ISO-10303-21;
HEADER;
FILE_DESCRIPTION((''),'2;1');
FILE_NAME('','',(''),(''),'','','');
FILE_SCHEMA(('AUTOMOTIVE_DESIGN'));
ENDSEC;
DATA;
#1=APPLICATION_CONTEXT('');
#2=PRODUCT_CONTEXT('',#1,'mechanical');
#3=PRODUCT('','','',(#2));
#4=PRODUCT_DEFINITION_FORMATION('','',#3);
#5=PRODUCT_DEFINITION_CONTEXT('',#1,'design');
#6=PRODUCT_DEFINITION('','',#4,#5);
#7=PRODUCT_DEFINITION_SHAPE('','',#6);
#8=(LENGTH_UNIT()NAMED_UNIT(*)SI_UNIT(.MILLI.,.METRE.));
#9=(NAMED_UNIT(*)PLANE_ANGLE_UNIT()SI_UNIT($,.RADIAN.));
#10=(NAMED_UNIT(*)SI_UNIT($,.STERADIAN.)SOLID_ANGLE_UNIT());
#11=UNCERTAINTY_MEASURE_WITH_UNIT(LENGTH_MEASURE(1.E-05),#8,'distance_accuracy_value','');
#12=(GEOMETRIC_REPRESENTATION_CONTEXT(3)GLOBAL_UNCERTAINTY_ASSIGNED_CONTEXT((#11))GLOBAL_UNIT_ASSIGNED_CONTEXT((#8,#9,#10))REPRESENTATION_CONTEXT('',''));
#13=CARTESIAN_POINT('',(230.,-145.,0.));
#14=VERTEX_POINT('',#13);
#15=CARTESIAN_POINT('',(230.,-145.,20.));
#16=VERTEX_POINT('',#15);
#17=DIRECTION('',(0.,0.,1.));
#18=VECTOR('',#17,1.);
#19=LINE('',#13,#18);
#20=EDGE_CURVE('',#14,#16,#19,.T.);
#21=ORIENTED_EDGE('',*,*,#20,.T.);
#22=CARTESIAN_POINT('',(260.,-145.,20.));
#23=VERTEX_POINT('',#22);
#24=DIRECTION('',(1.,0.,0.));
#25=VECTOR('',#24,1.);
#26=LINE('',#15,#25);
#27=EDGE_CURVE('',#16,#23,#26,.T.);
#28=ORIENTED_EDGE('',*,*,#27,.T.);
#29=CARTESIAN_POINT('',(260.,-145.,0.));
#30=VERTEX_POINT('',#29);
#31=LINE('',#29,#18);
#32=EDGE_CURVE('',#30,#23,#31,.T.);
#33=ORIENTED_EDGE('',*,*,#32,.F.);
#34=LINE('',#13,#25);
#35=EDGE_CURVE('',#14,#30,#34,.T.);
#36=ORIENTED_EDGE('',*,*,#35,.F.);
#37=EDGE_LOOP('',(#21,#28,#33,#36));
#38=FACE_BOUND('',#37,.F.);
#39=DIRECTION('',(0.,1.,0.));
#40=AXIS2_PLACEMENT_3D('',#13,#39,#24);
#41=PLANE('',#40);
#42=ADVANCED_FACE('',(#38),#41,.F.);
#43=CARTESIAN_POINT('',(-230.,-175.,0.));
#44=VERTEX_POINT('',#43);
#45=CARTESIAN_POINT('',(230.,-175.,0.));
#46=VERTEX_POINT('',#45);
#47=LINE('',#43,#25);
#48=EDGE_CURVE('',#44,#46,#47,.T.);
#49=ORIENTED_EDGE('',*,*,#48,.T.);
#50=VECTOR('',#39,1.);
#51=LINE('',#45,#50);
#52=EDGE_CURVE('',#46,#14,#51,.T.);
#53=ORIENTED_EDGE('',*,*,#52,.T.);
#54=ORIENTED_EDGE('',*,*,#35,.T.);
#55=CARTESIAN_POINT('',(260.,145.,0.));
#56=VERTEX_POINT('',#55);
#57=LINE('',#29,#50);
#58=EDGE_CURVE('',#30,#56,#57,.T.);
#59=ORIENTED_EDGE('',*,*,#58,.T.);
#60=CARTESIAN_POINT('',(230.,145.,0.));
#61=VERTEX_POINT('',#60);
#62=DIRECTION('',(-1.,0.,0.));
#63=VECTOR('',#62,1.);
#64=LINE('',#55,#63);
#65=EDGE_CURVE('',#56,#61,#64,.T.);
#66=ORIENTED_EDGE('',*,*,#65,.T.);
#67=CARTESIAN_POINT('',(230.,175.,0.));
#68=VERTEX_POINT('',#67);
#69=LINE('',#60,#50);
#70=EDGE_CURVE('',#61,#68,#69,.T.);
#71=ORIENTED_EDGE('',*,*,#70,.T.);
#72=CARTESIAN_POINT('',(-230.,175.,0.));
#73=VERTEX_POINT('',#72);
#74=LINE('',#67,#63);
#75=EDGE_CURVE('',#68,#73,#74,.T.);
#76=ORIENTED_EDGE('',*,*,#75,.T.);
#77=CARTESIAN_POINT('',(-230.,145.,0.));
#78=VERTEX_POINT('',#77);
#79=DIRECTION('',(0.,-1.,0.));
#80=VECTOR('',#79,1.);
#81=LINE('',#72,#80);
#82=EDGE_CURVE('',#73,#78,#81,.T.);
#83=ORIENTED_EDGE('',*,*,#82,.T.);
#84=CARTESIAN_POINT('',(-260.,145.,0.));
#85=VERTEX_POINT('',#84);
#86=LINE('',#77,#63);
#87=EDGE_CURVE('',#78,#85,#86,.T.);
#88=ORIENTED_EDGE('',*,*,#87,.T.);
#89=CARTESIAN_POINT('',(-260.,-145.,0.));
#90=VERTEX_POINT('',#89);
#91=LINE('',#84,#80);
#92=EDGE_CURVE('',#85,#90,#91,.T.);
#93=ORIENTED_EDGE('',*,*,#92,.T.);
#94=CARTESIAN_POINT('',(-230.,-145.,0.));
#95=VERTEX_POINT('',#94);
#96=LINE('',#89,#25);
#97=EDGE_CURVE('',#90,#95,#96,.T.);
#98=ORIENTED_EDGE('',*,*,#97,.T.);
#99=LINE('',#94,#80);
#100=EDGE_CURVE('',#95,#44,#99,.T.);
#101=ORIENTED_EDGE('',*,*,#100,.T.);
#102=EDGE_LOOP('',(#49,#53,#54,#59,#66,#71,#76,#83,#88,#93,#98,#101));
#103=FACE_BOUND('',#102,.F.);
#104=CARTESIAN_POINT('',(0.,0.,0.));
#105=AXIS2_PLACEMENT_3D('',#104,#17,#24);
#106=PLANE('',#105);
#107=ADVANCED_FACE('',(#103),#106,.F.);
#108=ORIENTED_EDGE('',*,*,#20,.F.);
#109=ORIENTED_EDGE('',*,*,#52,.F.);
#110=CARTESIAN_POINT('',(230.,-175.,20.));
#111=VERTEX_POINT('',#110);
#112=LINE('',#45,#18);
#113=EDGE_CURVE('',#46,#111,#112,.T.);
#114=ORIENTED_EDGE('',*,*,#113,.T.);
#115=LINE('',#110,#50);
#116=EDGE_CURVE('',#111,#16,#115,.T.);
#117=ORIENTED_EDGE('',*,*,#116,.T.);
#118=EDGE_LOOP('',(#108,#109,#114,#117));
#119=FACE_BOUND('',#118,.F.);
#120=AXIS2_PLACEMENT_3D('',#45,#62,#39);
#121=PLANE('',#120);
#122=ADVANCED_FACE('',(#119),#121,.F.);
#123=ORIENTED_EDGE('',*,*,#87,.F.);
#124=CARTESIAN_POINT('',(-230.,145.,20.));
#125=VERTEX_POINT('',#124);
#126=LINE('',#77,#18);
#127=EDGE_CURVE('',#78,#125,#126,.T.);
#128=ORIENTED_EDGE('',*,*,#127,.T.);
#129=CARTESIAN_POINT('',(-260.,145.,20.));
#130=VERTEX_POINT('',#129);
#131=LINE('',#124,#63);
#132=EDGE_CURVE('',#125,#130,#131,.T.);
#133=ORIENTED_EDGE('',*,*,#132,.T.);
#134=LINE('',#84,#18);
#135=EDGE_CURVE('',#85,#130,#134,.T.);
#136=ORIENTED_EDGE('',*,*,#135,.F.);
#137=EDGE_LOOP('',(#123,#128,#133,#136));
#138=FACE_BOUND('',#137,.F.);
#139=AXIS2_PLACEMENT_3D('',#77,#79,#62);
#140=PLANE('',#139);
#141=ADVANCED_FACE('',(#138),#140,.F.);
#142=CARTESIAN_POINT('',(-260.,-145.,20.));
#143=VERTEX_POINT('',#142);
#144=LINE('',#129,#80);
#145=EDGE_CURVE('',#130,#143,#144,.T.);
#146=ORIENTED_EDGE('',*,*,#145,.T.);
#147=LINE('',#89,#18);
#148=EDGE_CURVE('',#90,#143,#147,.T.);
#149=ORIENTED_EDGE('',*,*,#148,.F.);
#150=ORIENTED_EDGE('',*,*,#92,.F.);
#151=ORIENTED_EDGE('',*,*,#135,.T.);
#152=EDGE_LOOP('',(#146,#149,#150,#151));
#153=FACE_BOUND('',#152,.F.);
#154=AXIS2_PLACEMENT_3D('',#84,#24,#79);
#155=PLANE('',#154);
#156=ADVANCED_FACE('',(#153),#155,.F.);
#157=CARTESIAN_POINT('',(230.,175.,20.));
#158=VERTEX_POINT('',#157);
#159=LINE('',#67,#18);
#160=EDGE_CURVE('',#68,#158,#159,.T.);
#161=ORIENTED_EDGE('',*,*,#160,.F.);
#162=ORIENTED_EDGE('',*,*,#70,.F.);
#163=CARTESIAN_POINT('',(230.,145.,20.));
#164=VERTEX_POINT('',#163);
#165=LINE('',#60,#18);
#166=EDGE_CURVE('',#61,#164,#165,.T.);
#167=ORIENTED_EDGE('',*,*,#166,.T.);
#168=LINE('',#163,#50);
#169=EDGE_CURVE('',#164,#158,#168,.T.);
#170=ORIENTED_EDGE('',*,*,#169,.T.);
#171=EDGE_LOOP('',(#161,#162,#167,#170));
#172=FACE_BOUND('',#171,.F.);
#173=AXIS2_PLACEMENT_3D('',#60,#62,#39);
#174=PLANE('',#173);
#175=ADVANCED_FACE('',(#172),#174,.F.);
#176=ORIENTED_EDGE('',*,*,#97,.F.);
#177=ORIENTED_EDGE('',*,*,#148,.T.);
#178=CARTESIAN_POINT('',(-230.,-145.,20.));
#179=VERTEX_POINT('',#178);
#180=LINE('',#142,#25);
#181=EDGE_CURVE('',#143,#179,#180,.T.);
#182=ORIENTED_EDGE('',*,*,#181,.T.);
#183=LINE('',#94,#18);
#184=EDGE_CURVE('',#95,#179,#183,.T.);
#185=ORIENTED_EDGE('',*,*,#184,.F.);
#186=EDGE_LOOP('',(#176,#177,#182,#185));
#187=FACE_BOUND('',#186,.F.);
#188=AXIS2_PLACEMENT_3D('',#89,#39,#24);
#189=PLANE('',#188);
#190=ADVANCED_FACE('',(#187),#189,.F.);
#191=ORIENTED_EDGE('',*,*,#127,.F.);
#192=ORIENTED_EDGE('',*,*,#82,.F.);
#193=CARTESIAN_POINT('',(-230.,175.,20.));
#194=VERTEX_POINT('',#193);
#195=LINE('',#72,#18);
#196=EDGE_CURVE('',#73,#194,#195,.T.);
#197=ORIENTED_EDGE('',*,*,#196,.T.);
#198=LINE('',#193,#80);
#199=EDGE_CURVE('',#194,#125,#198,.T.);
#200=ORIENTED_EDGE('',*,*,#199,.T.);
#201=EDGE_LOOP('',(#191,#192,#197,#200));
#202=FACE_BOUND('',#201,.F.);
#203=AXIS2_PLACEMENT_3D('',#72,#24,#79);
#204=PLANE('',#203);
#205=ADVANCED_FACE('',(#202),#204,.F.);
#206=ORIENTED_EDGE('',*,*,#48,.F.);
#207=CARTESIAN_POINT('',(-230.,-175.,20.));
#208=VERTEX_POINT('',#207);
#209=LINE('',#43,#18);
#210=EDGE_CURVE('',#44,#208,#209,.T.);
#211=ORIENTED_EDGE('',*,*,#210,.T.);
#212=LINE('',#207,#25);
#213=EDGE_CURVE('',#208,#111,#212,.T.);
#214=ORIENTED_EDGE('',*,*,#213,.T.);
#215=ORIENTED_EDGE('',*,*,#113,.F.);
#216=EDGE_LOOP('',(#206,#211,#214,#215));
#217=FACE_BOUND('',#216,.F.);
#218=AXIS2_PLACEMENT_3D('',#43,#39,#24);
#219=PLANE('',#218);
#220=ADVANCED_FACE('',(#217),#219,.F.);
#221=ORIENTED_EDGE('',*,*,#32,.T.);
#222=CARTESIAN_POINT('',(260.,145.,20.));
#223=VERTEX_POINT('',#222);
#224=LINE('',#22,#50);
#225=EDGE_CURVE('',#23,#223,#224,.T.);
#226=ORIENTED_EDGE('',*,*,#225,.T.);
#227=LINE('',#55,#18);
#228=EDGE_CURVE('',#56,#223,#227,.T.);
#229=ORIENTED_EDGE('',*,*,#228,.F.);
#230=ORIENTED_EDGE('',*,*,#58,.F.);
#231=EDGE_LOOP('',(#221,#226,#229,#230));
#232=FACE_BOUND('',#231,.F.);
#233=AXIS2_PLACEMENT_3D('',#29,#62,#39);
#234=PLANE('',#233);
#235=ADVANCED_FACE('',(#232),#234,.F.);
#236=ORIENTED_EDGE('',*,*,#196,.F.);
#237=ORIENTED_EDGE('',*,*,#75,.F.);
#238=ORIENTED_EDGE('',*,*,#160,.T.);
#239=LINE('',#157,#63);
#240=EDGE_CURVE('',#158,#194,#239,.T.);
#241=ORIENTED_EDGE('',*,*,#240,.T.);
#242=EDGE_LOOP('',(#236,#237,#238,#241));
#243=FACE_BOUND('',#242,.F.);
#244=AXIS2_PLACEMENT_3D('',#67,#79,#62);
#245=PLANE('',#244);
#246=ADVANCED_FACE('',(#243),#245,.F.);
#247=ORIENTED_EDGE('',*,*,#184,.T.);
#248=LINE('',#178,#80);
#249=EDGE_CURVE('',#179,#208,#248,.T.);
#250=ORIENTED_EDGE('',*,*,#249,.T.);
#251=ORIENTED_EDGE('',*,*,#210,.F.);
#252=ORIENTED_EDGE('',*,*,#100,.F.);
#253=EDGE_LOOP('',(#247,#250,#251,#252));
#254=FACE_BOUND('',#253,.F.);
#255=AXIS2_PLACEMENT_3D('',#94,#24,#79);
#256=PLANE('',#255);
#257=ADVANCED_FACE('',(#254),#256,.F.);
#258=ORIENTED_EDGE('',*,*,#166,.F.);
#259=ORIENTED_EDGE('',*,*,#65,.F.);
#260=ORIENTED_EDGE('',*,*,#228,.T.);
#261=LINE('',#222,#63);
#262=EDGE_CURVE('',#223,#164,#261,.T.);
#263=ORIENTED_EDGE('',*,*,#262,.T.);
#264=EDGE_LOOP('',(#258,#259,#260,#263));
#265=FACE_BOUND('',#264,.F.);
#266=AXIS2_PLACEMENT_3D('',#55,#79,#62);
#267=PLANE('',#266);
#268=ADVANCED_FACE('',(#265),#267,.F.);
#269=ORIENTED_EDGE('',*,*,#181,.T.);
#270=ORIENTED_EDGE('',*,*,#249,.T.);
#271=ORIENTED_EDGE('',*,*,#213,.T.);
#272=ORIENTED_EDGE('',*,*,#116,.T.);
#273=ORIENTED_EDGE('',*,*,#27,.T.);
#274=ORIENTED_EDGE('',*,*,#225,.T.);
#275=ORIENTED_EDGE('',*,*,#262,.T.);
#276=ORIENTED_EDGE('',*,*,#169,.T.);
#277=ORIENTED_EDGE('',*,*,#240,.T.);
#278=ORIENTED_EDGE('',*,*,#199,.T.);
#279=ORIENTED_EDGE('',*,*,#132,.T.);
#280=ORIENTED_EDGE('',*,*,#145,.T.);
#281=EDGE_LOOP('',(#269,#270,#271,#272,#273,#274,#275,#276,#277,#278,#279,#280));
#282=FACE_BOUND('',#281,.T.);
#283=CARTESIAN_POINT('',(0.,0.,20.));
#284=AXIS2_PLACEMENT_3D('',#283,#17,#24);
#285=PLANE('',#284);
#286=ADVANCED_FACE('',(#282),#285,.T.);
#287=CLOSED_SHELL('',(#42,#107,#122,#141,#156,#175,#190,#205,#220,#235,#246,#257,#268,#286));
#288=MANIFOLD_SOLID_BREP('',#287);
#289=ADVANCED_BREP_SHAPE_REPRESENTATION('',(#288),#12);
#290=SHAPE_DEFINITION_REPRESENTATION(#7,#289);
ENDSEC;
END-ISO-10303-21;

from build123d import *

# Parameters (mm, degrees)
F1_DEPTH = 20


with BuildPart() as f1:
    # F0 (on Top) → F1 (new body)
    with BuildSketch(Plane.XY):
        Polygon((230, 175), (0, 175), (-230, 175), (-230, 145), (-260, 145), (-260, 0), (-260, -145), (-230, -145), (-230, -175), (0, -175), (230, -175), (230, -145), (260, -145), (260, 0), (260, 145), (230, 145), align=None)
    extrude(amount=F1_DEPTH)


solid = f1.part
